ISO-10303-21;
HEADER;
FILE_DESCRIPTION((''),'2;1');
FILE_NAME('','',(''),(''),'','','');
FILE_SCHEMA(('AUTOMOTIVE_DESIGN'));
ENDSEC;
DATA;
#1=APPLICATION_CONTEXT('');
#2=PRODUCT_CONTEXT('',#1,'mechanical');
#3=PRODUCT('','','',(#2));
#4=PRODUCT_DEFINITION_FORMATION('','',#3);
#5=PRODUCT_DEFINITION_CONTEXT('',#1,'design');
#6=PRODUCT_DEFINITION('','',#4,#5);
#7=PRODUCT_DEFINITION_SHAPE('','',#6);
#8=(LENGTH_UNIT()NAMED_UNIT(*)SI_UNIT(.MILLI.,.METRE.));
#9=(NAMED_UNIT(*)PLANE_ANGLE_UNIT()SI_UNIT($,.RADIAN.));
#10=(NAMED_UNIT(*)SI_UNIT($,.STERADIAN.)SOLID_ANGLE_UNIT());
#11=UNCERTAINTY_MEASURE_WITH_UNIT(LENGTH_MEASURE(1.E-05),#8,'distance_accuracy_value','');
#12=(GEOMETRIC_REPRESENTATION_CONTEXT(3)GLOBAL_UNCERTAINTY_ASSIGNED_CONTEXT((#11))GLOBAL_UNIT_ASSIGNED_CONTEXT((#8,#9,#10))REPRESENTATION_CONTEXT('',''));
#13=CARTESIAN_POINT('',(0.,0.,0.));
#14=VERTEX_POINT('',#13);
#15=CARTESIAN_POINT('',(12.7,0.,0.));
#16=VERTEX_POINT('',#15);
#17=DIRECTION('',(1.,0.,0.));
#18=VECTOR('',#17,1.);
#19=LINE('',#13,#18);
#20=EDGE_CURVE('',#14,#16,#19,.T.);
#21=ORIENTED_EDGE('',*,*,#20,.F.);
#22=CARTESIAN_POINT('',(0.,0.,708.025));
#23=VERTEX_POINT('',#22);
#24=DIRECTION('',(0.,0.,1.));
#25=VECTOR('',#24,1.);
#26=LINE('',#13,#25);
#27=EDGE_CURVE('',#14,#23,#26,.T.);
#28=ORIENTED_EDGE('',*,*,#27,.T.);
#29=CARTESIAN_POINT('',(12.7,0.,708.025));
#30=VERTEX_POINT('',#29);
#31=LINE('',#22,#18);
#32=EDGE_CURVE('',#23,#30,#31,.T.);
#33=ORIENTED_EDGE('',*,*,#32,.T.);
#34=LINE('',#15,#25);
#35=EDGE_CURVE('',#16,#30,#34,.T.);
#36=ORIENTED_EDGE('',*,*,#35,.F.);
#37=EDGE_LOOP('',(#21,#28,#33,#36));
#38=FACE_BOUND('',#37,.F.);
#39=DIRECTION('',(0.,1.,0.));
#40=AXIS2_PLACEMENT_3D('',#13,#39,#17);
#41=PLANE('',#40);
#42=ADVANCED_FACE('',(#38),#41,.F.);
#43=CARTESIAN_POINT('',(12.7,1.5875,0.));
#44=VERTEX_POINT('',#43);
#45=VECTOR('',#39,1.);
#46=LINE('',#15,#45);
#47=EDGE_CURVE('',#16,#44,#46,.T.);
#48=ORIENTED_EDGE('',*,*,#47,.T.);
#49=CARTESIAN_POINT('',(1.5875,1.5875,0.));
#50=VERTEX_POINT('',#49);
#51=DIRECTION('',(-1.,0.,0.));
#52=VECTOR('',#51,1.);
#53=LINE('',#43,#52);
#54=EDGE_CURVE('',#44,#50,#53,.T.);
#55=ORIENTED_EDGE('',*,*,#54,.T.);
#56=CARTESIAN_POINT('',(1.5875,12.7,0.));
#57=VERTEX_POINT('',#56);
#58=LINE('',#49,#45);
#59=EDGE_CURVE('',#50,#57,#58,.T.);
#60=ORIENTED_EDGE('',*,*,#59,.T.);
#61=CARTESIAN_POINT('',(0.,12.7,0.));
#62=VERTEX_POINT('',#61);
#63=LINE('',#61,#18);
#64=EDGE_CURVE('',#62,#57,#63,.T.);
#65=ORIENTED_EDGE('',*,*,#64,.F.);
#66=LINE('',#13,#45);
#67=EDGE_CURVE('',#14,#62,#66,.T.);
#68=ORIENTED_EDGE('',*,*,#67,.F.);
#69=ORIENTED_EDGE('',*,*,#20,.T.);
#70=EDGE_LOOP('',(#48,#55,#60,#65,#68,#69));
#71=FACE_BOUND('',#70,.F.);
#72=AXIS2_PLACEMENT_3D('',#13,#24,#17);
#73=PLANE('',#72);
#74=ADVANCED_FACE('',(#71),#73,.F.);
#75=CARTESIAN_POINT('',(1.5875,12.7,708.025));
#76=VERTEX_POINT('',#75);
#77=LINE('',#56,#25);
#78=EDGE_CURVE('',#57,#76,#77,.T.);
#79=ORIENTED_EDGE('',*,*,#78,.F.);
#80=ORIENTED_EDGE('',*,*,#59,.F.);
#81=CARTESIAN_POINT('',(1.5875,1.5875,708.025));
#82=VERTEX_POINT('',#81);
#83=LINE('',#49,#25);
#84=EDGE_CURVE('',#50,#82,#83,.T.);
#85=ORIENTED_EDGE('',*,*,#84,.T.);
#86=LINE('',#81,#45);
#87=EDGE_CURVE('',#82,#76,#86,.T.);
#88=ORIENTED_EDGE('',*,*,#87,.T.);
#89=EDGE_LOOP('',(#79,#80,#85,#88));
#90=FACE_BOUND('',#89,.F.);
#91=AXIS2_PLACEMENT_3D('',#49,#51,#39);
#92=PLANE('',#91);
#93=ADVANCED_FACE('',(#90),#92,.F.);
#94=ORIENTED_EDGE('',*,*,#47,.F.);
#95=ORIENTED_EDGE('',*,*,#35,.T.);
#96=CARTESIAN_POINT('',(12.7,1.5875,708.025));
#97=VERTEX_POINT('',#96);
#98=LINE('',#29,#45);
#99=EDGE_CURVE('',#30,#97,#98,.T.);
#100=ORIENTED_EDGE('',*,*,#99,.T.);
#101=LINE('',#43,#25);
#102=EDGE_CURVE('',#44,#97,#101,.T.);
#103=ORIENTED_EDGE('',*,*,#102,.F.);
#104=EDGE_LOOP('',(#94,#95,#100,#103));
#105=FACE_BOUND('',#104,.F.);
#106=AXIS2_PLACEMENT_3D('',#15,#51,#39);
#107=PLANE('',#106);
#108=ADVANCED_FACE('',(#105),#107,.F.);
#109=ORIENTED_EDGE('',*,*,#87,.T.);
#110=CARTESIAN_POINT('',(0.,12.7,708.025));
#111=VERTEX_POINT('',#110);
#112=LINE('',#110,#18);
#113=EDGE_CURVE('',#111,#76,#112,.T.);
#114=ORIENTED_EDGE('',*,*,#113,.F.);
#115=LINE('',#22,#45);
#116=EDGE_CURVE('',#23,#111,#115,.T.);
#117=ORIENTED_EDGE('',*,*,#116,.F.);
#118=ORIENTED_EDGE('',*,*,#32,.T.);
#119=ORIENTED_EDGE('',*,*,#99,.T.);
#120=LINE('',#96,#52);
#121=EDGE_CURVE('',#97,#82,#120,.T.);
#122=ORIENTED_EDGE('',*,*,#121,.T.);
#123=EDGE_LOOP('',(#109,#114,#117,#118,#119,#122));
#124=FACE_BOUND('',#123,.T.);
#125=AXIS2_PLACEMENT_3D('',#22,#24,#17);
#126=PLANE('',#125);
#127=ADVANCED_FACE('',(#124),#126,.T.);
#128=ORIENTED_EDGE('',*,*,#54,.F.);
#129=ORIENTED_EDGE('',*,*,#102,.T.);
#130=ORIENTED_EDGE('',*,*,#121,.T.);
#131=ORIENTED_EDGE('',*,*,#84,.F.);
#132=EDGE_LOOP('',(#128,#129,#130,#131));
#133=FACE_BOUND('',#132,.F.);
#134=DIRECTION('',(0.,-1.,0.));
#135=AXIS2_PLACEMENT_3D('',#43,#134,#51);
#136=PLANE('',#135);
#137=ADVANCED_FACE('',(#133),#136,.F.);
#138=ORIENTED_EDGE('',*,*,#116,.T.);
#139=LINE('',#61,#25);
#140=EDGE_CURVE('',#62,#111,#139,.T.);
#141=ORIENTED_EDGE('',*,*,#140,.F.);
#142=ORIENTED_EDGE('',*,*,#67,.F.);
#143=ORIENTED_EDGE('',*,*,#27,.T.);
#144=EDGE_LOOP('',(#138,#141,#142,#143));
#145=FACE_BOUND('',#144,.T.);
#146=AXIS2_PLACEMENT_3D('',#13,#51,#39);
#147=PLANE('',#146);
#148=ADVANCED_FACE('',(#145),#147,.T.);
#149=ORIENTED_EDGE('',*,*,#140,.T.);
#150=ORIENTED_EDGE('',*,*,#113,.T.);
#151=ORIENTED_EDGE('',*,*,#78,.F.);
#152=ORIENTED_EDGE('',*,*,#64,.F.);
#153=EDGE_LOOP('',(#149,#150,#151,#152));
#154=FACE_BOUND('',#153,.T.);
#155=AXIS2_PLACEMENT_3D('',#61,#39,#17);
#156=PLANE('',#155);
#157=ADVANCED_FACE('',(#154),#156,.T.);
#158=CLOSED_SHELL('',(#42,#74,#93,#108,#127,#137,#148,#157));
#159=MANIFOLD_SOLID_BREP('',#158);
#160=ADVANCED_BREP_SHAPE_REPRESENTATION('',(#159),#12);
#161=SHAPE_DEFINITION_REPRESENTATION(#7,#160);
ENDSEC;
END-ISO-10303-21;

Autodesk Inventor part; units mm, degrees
ref_plane "YZ Plane" through (0, 0, 0) normal (1, 0, 0) x (0, 1, 0)
ref_plane "XZ Plane" through (0, 0, 0) normal (0, 1, 0) x (-1, 0, 0)
ref_plane "XY Plane" through (0, 0, 0) normal (0, 0, 1) x (1, 0, 0)
sketch "Sketch1" plane through (0, 0, 0) normal (0, 0, 1) x (1, 0, 0)
  line L0 (0, 0) -> (0, 12.7)
  line L1 (0, 12.7) -> (1.5875, 12.7)
  line L2 (0, 0) -> (12.7, 0)
  line L3 (12.7, 0) -> (12.7, 1.5875)
  line L4 (12.7, 1.5875) -> (1.5875, 1.5875)
  line L5 (1.5875, 1.5875) -> (1.5875, 12.7)
  dimension "d0" = 12.7
  dimension "d1" = 1.5875
  dimension "d2" = 12.7
  dimension "d3" = 1.5875
extrude "Extrusion1" add sketch "Sketch1" along normal blind 708.025
properties part number "Bumper Metal Edge Part2 (24x28 robot)" material "Aluminum 6061"
